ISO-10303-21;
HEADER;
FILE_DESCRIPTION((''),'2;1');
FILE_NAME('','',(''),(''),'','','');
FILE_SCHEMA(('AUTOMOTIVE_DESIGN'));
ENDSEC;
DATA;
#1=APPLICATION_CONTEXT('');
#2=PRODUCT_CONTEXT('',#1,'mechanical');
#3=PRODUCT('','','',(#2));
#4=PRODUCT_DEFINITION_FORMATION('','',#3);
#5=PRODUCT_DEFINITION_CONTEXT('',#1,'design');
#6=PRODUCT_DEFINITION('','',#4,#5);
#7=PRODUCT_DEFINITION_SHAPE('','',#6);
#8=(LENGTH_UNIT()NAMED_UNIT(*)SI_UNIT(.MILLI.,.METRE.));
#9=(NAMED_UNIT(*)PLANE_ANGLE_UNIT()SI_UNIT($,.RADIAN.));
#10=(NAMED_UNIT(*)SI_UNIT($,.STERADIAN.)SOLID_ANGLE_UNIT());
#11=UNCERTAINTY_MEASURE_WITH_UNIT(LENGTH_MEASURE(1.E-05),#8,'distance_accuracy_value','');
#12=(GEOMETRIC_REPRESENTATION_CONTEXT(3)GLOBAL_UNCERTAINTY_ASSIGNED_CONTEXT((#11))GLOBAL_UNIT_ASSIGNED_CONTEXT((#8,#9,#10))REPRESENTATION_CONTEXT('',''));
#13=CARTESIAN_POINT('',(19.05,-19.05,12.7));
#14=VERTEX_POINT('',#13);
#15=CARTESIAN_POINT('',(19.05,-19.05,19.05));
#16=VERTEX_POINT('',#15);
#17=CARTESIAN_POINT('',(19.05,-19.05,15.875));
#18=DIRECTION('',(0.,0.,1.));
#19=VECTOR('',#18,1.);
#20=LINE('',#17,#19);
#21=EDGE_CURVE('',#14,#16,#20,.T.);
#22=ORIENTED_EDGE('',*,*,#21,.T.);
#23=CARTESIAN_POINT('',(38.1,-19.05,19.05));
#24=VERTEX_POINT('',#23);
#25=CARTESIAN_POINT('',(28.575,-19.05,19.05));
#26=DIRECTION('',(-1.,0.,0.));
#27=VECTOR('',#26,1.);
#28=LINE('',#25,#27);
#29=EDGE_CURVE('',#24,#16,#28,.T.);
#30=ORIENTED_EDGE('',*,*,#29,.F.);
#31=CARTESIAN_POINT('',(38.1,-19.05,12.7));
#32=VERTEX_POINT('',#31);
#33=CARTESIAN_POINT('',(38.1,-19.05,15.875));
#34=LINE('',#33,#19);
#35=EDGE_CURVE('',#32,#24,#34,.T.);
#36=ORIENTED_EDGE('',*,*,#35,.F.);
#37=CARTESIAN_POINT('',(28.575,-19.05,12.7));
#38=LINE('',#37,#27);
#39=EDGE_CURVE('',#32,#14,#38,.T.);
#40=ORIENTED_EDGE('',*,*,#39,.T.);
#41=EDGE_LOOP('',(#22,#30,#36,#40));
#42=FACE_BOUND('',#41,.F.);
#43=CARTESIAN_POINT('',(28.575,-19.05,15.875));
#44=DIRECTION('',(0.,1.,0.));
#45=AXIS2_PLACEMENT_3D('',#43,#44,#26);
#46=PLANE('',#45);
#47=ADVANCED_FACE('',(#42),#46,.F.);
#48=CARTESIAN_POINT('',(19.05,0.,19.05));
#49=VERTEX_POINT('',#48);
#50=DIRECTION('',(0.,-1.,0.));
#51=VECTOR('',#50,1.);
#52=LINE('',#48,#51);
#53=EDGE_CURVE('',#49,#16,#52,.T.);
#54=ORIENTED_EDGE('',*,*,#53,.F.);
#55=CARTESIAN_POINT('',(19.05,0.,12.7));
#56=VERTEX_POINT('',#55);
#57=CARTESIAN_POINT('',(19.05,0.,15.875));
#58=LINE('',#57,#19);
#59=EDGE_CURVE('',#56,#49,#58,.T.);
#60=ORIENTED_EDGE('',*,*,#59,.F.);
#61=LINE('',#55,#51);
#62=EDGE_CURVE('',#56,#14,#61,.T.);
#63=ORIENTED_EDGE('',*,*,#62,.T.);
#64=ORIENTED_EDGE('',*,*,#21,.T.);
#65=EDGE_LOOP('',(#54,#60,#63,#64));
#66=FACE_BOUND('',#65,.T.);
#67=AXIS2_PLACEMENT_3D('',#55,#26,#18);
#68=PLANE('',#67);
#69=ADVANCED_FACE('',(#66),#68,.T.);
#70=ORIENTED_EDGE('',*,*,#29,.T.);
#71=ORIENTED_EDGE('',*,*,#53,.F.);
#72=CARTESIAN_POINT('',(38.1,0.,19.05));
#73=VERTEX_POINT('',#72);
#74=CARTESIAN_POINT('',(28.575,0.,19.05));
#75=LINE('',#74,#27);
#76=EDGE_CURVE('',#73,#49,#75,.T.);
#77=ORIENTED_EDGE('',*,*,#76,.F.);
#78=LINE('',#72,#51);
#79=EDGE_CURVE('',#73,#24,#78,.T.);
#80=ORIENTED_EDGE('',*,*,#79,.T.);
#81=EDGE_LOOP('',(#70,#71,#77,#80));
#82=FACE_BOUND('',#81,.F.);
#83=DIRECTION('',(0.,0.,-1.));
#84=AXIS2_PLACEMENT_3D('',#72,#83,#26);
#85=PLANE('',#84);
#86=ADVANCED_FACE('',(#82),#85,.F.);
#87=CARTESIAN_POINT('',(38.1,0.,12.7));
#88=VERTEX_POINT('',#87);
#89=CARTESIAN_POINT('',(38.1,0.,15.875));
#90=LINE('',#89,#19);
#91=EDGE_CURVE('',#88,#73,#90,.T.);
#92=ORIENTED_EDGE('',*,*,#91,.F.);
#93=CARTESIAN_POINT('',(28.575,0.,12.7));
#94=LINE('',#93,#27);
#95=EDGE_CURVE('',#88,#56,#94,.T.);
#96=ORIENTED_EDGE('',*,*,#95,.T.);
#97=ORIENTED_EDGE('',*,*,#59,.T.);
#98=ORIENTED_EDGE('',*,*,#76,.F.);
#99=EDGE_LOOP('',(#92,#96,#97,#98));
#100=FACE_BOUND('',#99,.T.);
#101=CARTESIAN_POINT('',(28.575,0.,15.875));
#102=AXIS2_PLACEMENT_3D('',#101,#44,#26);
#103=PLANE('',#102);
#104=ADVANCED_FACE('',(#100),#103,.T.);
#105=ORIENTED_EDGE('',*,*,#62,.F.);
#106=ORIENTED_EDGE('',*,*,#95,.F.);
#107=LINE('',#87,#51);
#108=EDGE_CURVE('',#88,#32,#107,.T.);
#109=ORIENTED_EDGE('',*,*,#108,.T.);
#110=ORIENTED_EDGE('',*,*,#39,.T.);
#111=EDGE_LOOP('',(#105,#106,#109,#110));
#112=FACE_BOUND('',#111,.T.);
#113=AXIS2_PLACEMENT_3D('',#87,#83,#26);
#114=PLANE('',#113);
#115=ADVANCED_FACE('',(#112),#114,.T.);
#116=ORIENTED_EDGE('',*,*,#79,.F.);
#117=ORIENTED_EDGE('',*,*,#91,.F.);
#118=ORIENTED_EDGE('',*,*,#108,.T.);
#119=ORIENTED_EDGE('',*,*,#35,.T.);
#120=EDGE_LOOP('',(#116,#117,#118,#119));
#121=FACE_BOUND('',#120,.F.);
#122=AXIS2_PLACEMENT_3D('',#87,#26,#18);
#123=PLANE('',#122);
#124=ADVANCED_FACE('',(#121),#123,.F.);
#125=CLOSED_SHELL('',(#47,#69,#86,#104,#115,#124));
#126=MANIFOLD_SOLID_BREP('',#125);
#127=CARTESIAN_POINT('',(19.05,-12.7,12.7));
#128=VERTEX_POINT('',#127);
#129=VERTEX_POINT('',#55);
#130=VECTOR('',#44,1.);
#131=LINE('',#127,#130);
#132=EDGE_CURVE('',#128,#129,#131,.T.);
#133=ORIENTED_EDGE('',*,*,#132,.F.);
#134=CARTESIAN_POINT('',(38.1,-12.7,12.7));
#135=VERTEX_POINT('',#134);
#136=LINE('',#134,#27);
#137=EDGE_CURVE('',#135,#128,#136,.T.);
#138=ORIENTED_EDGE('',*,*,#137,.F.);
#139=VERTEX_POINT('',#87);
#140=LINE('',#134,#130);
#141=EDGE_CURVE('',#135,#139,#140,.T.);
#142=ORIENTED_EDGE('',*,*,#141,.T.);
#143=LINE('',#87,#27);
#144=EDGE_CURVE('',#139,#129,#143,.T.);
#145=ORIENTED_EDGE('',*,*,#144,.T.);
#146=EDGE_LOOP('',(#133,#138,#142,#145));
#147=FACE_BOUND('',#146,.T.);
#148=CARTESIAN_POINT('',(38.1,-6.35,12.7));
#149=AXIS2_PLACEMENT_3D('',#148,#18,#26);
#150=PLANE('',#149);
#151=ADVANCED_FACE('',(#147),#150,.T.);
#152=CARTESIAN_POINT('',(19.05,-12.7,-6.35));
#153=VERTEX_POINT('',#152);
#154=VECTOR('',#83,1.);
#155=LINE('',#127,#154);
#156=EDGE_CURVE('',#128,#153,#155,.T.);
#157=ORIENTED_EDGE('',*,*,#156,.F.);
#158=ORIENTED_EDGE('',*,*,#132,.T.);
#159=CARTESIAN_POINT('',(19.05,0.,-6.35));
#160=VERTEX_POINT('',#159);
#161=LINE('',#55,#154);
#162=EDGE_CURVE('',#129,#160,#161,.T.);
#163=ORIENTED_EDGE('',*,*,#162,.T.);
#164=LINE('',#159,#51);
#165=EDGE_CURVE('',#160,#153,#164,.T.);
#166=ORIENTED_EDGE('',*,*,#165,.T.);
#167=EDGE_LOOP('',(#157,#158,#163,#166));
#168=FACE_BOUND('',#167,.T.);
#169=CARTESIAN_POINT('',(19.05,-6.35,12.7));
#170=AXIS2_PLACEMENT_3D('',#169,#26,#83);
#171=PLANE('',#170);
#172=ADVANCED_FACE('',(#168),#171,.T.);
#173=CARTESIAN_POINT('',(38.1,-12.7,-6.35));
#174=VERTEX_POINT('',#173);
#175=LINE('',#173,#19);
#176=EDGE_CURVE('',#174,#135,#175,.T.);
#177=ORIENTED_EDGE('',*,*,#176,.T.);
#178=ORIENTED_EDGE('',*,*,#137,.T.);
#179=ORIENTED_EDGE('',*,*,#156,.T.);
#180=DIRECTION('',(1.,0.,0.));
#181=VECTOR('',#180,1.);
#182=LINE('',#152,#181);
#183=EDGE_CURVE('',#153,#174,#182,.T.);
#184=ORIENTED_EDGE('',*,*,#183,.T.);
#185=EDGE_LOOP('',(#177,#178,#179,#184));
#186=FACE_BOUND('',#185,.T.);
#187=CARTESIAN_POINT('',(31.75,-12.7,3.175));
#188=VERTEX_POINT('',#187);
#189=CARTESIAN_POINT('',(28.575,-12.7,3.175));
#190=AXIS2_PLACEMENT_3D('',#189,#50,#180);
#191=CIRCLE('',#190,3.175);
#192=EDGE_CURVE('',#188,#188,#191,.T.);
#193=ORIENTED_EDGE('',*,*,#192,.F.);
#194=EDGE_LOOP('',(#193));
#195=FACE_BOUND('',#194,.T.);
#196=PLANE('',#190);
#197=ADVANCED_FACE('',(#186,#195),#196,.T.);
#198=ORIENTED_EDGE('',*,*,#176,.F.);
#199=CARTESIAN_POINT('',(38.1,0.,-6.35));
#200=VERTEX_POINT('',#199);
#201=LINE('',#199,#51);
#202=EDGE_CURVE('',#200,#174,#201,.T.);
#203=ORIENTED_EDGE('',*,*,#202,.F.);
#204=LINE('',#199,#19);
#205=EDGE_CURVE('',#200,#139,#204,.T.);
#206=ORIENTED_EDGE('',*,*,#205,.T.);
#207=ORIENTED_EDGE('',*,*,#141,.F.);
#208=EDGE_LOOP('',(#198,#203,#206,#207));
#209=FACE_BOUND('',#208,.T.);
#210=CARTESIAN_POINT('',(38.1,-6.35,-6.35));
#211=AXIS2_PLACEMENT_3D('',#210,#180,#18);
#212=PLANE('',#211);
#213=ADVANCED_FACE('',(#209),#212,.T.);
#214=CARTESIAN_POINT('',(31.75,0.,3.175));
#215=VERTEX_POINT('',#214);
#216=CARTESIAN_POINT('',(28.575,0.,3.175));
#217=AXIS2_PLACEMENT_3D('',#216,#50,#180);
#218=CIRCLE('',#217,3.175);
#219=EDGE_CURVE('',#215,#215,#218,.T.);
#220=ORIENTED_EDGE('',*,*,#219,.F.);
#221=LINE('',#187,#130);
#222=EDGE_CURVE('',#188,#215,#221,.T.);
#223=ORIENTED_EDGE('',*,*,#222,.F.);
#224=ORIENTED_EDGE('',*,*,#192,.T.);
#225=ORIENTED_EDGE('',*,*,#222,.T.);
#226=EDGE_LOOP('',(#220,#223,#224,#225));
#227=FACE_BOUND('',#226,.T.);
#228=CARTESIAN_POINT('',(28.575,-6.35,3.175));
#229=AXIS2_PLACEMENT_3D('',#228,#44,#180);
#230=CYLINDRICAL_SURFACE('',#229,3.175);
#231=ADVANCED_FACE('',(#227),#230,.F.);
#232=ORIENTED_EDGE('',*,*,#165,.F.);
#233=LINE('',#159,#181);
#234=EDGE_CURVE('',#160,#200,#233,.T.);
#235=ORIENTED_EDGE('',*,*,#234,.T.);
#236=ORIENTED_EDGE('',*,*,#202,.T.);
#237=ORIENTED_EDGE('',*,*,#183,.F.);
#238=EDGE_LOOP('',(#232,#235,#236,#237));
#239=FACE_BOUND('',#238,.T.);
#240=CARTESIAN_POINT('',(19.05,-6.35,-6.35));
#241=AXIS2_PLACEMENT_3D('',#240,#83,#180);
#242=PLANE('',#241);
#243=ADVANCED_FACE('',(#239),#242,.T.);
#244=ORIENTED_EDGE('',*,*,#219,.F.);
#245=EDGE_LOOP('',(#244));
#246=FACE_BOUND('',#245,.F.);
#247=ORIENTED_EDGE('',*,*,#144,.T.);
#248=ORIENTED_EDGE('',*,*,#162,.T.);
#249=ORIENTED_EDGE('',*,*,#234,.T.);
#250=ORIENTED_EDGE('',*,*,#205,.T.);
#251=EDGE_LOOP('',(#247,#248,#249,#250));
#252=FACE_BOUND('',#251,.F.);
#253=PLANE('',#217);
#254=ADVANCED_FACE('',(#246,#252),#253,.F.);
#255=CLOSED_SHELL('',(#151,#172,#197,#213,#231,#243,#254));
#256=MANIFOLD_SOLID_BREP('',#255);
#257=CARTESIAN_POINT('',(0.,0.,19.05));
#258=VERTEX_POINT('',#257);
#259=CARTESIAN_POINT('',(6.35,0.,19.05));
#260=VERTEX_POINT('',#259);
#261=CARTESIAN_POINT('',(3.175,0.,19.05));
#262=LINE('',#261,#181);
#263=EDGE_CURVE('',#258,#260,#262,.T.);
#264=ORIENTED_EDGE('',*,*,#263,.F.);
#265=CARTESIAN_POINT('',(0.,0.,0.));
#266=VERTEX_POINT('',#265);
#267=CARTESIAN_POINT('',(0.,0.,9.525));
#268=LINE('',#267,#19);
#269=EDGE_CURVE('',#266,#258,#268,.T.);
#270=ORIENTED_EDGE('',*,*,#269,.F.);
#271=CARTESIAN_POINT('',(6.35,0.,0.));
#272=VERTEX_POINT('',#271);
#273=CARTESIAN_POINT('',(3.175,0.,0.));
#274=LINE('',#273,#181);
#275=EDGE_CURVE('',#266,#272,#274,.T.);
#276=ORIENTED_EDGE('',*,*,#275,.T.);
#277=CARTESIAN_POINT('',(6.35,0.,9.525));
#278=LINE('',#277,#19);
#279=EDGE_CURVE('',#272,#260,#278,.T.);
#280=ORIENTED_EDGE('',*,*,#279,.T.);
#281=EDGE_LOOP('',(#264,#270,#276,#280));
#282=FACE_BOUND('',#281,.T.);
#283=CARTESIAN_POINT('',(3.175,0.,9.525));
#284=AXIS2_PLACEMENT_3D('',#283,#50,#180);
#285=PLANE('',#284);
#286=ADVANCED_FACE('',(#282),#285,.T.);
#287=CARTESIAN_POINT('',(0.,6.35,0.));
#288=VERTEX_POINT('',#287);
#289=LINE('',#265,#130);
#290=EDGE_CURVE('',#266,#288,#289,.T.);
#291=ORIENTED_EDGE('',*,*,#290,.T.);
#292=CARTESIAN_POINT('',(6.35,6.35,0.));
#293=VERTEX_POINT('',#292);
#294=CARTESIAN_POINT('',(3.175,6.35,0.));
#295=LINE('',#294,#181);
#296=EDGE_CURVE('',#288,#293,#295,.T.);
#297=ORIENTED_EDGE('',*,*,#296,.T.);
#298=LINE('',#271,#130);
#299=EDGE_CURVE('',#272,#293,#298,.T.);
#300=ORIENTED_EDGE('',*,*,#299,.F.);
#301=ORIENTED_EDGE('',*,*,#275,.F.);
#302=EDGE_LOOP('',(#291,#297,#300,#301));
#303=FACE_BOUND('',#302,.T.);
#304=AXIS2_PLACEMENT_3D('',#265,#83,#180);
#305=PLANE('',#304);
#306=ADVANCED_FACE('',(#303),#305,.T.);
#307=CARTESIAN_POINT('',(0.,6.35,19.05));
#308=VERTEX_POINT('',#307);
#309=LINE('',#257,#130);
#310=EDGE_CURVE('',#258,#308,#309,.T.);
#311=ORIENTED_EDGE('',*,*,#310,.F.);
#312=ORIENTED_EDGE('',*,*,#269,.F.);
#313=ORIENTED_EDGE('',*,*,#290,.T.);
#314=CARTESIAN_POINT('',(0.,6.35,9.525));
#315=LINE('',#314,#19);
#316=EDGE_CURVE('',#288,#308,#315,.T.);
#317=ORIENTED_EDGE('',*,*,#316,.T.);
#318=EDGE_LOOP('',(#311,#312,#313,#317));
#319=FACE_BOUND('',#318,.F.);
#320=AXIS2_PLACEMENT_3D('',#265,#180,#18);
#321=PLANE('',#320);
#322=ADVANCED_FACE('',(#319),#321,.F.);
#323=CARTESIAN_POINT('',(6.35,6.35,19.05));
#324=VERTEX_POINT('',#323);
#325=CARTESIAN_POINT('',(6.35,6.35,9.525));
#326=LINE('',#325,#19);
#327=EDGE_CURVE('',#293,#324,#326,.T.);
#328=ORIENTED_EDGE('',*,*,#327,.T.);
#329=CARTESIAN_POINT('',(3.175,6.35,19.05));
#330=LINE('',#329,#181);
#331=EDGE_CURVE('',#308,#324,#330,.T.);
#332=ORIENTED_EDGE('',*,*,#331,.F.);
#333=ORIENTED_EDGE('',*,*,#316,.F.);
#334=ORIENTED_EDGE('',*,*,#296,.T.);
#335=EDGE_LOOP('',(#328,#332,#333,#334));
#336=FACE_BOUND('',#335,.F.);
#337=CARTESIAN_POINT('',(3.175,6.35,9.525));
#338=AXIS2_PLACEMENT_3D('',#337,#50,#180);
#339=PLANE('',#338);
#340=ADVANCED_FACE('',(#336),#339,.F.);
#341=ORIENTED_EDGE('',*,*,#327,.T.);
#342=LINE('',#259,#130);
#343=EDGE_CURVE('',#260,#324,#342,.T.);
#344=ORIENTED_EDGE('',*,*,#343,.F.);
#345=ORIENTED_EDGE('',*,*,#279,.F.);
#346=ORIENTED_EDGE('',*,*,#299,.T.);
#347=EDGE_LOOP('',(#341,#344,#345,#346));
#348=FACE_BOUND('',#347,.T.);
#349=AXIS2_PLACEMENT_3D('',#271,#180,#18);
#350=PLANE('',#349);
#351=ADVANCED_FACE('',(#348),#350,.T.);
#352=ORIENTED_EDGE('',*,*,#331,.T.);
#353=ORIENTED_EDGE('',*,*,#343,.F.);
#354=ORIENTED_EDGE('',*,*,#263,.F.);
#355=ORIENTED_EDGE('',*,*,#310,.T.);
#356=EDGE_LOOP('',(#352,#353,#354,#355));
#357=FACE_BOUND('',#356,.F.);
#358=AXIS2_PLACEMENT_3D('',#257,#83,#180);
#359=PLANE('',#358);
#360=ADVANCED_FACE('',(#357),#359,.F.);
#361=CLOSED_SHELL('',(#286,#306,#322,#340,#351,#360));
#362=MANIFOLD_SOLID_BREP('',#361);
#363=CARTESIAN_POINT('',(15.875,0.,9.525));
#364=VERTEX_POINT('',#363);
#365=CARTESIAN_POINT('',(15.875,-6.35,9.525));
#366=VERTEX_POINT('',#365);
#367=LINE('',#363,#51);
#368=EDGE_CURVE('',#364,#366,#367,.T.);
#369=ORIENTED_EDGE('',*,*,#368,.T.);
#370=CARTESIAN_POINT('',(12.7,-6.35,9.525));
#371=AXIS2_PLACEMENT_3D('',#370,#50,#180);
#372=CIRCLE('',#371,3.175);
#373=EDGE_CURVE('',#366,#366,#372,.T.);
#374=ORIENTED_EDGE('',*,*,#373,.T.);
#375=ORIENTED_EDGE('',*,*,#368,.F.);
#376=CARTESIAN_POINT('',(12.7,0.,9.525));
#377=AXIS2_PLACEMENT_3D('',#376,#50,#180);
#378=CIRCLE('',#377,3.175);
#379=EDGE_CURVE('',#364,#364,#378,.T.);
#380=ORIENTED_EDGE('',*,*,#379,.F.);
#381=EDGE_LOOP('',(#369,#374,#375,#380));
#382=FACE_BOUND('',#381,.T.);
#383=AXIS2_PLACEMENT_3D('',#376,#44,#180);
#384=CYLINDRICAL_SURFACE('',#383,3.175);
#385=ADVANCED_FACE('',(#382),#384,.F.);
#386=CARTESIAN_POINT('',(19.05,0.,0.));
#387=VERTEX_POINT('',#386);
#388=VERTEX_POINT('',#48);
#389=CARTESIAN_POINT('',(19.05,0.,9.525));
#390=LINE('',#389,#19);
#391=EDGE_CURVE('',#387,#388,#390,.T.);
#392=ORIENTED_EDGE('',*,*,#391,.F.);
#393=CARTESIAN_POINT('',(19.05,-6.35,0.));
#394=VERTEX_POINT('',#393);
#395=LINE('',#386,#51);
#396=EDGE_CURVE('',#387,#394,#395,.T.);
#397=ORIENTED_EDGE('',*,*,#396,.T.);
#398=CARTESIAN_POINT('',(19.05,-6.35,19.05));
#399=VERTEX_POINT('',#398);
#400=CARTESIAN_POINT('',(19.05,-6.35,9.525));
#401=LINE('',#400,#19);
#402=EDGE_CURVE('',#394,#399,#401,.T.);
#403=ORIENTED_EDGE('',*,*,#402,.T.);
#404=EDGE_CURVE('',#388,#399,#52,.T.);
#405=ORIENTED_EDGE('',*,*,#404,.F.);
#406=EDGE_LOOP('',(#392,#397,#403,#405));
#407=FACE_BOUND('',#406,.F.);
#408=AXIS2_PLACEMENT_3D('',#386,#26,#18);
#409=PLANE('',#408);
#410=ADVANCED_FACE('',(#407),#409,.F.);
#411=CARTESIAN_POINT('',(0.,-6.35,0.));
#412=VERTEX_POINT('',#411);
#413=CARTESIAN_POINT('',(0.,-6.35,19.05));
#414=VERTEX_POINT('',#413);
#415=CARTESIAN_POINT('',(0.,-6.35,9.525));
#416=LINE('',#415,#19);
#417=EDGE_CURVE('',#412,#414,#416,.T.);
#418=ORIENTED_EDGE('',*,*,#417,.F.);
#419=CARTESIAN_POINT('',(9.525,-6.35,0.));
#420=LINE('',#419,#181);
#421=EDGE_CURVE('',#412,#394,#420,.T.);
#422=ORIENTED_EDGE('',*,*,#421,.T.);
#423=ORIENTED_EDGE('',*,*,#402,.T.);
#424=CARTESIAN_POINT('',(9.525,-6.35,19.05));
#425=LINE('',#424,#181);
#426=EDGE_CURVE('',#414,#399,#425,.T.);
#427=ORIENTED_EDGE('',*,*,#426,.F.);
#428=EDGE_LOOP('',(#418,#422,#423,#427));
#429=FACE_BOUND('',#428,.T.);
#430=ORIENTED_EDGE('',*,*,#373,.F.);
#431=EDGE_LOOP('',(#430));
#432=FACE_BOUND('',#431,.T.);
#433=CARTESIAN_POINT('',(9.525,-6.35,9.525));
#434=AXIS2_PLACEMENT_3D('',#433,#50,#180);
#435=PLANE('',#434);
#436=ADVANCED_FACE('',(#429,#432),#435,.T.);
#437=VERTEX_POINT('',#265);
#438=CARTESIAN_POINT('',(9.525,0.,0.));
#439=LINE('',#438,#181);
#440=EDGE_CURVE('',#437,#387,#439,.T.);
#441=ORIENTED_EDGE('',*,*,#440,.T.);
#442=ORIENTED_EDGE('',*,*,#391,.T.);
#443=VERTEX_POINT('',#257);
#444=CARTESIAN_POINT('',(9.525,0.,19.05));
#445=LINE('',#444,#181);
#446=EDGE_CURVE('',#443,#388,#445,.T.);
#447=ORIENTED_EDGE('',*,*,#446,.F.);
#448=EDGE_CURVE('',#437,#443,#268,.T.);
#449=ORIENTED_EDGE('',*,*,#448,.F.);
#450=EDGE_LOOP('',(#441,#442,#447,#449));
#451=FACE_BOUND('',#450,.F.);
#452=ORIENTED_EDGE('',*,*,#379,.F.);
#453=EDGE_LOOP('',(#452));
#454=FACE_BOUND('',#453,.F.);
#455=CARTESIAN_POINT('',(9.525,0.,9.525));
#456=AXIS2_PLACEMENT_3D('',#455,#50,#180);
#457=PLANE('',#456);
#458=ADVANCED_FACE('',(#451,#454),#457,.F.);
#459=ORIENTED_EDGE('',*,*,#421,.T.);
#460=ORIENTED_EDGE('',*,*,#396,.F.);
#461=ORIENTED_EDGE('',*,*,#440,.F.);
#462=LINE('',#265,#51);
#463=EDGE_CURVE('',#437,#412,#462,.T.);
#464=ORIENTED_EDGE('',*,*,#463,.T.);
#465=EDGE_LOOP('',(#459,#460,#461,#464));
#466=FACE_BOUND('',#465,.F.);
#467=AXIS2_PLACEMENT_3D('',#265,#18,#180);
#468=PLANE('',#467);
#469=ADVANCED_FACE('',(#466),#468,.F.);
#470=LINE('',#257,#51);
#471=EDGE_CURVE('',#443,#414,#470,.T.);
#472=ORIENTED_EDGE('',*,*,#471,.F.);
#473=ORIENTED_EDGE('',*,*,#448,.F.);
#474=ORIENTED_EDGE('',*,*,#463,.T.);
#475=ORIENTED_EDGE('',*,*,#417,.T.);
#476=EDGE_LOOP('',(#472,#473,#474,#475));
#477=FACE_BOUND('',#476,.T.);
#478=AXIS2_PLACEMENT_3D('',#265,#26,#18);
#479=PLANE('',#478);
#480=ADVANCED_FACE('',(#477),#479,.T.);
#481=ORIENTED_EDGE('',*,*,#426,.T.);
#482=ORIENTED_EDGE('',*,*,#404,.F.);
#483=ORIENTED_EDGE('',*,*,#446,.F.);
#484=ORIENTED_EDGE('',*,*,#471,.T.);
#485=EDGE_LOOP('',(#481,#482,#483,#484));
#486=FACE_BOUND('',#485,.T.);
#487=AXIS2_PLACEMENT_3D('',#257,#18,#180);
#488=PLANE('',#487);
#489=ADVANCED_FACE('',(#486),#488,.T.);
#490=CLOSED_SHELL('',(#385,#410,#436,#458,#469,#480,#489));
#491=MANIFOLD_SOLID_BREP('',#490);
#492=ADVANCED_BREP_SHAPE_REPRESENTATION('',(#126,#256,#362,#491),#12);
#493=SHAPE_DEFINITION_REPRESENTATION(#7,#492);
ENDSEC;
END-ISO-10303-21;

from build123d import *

# Parameters (mm, degrees)
F0_W     = 19.05
F0_H     = 19.05
F0_R     = 3.175
F1_DEPTH = 6.35
F2_W     = 6.35
F2_H     = 19.05
F3_DEPTH = 6.35
F4_R     = 3.175
F5_DEPTH = 6.35
F6_W     = 19.05
F6_H     = 6.35
F7_DEPTH = 19.05


with BuildPart() as f1:
    # F0 (on Front) → F1 (new body)
    with BuildSketch(Plane.XZ):
        with Locations((9.525, 9.525)):
            Rectangle(F0_W, F0_H)
        with Locations((12.7, 9.525)):
            Circle(F0_R, mode=Mode.SUBTRACT)
    extrude(amount=F1_DEPTH)


with BuildPart() as f3:
    # F2 (on face) → F3 (new body)
    with BuildSketch(Plane.XZ):
        with Locations((3.175, 9.525)):
            Rectangle(F2_W, F2_H)
    extrude(amount=-F3_DEPTH)


with BuildPart() as f5:
    # F4 (on face) → F5 (new body, symmetric)
    with BuildSketch(Plane.XZ.offset(6.35)):
        Polygon((19.05, 12.7), (19.05, 0), (19.05, -6.35), (38.1, -6.35), (38.1, 12.7), align=None)
        with Locations((28.575, 3.175)):
            Circle(F4_R, mode=Mode.SUBTRACT)
    extrude(amount=F5_DEPTH, both=True)


with BuildPart() as f7:
    # F6 (on face) → F7 (new body)
    with BuildSketch(Plane(origin=(0, 0, 0), x_dir=(-1, 0, 0), z_dir=(0, 1, 0))):
        with Locations((-28.575, 15.875)):
            Rectangle(F6_W, F6_H)
    extrude(amount=-F7_DEPTH)


solid = Compound([f1.part, f3.part, f5.part, f7.part])
